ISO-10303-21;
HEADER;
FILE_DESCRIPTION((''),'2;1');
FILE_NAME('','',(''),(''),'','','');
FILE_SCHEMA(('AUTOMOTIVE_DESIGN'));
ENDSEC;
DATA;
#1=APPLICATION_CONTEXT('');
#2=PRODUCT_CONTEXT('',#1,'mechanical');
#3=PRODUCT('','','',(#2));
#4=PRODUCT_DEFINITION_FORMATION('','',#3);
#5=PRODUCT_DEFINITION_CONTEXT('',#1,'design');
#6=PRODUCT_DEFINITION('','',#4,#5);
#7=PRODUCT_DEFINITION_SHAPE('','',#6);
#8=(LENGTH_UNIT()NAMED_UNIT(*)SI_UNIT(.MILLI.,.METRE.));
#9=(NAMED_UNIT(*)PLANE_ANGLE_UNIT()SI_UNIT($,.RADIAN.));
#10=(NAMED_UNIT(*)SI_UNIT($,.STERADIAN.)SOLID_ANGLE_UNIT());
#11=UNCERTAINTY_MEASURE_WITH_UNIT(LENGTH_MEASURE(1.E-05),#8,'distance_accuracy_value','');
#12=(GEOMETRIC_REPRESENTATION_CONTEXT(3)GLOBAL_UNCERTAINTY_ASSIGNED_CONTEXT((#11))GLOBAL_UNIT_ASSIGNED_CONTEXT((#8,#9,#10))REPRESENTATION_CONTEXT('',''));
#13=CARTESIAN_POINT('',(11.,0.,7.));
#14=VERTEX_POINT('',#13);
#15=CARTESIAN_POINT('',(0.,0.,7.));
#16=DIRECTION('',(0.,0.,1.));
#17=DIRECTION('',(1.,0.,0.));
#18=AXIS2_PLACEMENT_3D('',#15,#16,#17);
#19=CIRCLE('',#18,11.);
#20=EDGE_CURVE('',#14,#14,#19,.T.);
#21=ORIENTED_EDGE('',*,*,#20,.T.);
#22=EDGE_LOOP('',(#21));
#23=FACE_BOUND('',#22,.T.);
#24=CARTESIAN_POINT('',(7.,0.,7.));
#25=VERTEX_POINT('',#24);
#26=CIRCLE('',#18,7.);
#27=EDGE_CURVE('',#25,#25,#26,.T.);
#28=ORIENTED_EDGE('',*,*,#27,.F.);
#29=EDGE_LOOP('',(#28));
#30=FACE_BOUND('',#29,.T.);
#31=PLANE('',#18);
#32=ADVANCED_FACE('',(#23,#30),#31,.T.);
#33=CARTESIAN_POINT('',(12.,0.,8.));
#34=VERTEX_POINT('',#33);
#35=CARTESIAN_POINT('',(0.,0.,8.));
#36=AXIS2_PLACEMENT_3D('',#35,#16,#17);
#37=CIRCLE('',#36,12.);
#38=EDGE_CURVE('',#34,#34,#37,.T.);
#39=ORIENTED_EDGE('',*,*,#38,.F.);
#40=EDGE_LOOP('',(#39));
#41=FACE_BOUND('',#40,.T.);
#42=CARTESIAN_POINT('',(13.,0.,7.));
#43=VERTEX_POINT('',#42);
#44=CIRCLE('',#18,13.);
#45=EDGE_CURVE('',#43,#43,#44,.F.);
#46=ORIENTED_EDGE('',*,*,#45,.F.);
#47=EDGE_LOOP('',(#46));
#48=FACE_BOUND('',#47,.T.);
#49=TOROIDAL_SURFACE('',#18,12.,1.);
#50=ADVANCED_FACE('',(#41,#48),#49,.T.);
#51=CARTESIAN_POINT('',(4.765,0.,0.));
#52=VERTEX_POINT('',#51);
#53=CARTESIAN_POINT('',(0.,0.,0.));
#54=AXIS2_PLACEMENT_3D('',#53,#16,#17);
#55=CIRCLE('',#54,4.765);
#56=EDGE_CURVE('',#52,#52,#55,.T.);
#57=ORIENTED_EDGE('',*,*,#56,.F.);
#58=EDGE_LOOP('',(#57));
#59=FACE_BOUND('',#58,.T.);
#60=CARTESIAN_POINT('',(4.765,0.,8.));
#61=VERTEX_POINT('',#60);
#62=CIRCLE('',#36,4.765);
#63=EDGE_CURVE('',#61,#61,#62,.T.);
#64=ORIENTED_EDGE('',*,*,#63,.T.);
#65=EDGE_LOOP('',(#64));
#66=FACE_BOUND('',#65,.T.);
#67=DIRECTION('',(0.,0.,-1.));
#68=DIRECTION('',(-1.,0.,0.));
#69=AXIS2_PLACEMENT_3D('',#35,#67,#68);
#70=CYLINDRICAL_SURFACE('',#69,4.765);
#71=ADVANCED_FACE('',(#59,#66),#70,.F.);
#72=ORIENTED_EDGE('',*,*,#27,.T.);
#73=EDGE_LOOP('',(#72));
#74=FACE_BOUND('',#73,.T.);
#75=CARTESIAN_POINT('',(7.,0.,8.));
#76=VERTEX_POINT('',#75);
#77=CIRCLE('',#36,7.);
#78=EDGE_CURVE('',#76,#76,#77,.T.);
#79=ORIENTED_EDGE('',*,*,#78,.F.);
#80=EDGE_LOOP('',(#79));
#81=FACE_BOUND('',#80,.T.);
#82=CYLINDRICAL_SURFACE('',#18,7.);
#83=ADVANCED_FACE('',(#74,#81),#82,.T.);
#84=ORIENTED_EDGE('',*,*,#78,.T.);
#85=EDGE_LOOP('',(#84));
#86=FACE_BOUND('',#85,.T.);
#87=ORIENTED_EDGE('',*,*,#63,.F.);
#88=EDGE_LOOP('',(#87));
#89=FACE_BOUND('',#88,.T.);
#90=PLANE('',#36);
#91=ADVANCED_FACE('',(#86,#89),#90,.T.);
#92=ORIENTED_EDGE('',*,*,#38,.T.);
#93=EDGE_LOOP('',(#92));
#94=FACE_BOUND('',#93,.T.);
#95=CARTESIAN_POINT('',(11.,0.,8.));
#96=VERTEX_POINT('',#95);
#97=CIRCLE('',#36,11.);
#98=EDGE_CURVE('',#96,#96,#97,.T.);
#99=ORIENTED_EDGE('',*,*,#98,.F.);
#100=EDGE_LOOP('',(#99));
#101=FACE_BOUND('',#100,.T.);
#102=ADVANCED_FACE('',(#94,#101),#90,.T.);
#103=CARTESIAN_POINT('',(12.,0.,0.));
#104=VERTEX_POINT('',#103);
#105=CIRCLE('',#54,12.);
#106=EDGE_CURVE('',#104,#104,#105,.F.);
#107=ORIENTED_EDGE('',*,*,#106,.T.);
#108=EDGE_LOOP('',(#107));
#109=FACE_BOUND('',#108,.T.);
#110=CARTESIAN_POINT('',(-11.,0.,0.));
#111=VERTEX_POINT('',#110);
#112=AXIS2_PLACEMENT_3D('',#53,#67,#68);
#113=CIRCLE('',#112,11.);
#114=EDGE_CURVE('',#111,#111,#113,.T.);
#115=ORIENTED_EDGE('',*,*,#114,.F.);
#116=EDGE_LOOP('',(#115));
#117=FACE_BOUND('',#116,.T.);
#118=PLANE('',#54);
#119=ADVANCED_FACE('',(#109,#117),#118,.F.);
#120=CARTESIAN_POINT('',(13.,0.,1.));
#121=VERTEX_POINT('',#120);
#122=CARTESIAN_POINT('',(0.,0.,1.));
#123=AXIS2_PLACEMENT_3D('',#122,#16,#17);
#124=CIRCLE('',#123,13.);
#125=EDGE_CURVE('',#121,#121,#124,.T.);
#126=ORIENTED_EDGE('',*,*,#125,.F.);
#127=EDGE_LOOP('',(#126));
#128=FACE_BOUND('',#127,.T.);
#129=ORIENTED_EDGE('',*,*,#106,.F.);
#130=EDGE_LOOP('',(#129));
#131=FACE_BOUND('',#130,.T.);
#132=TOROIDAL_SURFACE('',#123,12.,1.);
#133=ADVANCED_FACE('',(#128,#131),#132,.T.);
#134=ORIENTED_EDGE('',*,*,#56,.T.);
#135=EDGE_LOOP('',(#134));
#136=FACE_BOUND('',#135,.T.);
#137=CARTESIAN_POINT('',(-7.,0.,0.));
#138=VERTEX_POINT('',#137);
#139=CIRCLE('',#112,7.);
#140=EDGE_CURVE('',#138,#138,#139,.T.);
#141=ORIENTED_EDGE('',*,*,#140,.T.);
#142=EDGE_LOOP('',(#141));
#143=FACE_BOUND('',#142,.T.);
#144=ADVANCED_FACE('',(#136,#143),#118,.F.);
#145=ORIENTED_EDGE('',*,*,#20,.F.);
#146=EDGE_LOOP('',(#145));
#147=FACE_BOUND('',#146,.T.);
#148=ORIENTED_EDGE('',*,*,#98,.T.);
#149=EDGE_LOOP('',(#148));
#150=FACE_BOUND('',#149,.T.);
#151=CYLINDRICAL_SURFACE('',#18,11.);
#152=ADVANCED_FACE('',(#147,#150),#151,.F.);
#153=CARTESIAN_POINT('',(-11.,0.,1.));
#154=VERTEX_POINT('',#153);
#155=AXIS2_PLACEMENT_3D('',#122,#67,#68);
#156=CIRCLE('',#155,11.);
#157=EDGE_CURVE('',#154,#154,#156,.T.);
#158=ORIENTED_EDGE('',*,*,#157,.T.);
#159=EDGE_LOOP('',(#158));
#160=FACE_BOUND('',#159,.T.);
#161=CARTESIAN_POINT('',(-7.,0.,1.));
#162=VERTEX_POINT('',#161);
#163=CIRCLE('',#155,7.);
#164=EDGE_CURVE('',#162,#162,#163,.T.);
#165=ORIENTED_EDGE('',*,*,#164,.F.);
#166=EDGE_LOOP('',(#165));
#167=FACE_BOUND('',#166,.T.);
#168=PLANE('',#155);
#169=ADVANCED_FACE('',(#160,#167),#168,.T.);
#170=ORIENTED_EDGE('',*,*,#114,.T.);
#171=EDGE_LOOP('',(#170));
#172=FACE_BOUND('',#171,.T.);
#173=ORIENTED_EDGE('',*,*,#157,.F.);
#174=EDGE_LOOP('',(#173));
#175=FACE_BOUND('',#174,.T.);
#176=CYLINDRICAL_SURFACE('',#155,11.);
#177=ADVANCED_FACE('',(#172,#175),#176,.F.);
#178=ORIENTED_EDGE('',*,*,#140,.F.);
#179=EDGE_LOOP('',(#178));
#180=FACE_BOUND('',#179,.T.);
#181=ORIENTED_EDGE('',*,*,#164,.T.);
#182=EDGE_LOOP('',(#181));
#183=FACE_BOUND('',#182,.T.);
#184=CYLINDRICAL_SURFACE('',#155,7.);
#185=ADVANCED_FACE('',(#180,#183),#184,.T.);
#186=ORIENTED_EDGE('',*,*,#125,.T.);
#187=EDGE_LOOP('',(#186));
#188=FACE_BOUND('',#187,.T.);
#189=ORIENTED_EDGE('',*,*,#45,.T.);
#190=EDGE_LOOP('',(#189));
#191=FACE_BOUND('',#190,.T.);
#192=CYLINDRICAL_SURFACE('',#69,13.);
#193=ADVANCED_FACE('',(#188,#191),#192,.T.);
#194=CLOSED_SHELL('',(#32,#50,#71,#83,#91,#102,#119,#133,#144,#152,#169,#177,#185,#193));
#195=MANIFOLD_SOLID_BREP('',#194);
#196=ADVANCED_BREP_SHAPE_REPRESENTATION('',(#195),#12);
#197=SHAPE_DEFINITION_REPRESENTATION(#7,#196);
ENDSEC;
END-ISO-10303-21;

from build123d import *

# Parameters (mm, degrees)
ESBO_O1_R                = 13
ESBO_O1_R_2              = 4.765
RESSALTO_EXTRUS_O1_DEPTH = 8
ESBO_O2_R                = 11
ESBO_O2_R_2              = 7
CORTE_EXTRUS_O1_DEPTH    = 1
CORTE_EXTRUS_O2_START    = -1
ESBO_O3_R                = 11
ESBO_O3_R_2              = 7
CORTE_EXTRUS_O2_DEPTH    = 1
FILETE1_R                = 1


with BuildPart() as part:
    # Esboço1 → Ressalto-extrusão1 (new body)
    with BuildSketch(Plane.XY):
        Circle(ESBO_O1_R)
        Circle(ESBO_O1_R_2, mode=Mode.SUBTRACT)
    extrude(amount=RESSALTO_EXTRUS_O1_DEPTH)

    # Esboço2 → Corte-extrusão1 (cut)
    with BuildSketch(Plane.XY.offset(8)):
        Circle(ESBO_O2_R)
        Circle(ESBO_O2_R_2, mode=Mode.SUBTRACT)
    extrude(amount=-CORTE_EXTRUS_O1_DEPTH, mode=Mode.SUBTRACT)

    # Esboço3 → Corte-extrusão2 (cut)
    with BuildSketch(Plane(origin=(0, 0, 0), x_dir=(-1, 0, 0), z_dir=(0, 0, -1)).offset(CORTE_EXTRUS_O2_START)):
        with Locations(Location((0, 0, 0), (0, 0, 180))):
            Circle(ESBO_O3_R)
        with Locations(Location((0, 0, 0), (0, 0, 180))):
            Circle(ESBO_O3_R_2, mode=Mode.SUBTRACT)
    extrude(amount=CORTE_EXTRUS_O2_DEPTH, mode=Mode.SUBTRACT)

    # Filete1
    filete1_edges = [part.edges().sort_by_distance(p)[0] for p in [
        (-13, 0, 0),
        (-13, 0, 8),
    ]]
    fillet(filete1_edges, radius=FILETE1_R)


solid = part.part
